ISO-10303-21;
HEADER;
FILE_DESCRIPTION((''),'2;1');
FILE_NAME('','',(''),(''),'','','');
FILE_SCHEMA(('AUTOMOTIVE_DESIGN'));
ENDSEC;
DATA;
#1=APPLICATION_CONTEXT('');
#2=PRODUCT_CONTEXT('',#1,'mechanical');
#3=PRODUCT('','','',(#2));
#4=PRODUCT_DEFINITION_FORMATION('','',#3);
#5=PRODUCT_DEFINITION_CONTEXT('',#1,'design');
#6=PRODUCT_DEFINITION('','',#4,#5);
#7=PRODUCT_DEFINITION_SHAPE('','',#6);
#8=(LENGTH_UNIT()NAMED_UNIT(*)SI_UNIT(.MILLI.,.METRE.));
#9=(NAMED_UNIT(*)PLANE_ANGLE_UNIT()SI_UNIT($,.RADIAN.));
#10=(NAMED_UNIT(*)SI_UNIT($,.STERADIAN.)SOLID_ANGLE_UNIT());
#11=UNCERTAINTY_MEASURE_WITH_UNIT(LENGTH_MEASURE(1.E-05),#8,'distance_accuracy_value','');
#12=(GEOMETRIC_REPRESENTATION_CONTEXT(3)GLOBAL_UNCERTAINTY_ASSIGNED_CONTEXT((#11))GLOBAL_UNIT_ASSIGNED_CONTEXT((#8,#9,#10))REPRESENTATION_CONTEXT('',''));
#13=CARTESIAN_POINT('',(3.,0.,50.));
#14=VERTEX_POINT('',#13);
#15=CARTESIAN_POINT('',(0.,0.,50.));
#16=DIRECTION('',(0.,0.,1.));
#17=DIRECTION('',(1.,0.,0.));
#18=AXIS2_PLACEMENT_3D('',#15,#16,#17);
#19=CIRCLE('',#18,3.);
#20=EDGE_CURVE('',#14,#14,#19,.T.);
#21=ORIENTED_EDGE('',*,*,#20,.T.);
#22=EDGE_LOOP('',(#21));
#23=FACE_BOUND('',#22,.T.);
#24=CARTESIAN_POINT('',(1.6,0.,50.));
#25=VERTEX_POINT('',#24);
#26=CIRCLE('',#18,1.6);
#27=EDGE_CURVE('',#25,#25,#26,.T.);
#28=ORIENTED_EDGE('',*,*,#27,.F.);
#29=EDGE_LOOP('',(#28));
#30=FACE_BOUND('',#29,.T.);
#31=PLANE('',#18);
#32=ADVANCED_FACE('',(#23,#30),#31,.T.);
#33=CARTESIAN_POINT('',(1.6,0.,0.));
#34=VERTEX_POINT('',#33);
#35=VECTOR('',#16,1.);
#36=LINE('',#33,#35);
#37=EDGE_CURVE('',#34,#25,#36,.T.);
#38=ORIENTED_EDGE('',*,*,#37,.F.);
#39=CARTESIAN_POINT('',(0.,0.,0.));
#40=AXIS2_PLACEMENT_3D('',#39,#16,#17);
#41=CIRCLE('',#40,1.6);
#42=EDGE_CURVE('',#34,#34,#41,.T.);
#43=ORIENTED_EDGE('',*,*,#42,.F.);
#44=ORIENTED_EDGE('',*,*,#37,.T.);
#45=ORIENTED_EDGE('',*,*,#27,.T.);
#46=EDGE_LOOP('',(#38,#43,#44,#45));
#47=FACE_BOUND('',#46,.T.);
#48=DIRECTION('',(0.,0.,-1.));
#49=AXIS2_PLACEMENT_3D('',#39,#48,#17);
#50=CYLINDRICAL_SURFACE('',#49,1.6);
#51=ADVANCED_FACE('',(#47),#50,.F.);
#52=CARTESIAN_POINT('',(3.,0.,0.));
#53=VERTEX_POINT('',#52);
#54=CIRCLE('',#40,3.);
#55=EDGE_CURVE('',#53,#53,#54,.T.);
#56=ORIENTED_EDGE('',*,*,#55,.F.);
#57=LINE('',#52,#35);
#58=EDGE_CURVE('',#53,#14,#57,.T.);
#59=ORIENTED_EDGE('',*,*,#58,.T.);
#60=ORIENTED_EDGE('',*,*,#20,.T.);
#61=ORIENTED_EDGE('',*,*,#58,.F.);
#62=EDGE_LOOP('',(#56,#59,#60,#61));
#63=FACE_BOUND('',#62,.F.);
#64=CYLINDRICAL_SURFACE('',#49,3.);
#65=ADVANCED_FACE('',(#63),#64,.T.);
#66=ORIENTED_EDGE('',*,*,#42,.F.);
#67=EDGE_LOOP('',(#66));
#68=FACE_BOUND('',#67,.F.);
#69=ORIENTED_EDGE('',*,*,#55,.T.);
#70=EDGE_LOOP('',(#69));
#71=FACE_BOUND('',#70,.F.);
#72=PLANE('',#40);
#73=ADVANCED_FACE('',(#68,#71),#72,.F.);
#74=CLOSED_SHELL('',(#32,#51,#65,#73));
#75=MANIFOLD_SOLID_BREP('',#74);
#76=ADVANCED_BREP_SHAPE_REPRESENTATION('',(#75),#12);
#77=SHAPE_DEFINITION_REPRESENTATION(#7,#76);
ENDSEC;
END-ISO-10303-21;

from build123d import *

# Parameters (mm, degrees)
SKETCH_R   = 3
SKETCH_R_2 = 1.6
PAD_DEPTH  = 50


with BuildPart() as part:
    # Sketch → Pad (new body)
    with BuildSketch(Plane.XY):
        Circle(SKETCH_R)
        Circle(SKETCH_R_2, mode=Mode.SUBTRACT)
    extrude(amount=PAD_DEPTH)


solid = part.part
